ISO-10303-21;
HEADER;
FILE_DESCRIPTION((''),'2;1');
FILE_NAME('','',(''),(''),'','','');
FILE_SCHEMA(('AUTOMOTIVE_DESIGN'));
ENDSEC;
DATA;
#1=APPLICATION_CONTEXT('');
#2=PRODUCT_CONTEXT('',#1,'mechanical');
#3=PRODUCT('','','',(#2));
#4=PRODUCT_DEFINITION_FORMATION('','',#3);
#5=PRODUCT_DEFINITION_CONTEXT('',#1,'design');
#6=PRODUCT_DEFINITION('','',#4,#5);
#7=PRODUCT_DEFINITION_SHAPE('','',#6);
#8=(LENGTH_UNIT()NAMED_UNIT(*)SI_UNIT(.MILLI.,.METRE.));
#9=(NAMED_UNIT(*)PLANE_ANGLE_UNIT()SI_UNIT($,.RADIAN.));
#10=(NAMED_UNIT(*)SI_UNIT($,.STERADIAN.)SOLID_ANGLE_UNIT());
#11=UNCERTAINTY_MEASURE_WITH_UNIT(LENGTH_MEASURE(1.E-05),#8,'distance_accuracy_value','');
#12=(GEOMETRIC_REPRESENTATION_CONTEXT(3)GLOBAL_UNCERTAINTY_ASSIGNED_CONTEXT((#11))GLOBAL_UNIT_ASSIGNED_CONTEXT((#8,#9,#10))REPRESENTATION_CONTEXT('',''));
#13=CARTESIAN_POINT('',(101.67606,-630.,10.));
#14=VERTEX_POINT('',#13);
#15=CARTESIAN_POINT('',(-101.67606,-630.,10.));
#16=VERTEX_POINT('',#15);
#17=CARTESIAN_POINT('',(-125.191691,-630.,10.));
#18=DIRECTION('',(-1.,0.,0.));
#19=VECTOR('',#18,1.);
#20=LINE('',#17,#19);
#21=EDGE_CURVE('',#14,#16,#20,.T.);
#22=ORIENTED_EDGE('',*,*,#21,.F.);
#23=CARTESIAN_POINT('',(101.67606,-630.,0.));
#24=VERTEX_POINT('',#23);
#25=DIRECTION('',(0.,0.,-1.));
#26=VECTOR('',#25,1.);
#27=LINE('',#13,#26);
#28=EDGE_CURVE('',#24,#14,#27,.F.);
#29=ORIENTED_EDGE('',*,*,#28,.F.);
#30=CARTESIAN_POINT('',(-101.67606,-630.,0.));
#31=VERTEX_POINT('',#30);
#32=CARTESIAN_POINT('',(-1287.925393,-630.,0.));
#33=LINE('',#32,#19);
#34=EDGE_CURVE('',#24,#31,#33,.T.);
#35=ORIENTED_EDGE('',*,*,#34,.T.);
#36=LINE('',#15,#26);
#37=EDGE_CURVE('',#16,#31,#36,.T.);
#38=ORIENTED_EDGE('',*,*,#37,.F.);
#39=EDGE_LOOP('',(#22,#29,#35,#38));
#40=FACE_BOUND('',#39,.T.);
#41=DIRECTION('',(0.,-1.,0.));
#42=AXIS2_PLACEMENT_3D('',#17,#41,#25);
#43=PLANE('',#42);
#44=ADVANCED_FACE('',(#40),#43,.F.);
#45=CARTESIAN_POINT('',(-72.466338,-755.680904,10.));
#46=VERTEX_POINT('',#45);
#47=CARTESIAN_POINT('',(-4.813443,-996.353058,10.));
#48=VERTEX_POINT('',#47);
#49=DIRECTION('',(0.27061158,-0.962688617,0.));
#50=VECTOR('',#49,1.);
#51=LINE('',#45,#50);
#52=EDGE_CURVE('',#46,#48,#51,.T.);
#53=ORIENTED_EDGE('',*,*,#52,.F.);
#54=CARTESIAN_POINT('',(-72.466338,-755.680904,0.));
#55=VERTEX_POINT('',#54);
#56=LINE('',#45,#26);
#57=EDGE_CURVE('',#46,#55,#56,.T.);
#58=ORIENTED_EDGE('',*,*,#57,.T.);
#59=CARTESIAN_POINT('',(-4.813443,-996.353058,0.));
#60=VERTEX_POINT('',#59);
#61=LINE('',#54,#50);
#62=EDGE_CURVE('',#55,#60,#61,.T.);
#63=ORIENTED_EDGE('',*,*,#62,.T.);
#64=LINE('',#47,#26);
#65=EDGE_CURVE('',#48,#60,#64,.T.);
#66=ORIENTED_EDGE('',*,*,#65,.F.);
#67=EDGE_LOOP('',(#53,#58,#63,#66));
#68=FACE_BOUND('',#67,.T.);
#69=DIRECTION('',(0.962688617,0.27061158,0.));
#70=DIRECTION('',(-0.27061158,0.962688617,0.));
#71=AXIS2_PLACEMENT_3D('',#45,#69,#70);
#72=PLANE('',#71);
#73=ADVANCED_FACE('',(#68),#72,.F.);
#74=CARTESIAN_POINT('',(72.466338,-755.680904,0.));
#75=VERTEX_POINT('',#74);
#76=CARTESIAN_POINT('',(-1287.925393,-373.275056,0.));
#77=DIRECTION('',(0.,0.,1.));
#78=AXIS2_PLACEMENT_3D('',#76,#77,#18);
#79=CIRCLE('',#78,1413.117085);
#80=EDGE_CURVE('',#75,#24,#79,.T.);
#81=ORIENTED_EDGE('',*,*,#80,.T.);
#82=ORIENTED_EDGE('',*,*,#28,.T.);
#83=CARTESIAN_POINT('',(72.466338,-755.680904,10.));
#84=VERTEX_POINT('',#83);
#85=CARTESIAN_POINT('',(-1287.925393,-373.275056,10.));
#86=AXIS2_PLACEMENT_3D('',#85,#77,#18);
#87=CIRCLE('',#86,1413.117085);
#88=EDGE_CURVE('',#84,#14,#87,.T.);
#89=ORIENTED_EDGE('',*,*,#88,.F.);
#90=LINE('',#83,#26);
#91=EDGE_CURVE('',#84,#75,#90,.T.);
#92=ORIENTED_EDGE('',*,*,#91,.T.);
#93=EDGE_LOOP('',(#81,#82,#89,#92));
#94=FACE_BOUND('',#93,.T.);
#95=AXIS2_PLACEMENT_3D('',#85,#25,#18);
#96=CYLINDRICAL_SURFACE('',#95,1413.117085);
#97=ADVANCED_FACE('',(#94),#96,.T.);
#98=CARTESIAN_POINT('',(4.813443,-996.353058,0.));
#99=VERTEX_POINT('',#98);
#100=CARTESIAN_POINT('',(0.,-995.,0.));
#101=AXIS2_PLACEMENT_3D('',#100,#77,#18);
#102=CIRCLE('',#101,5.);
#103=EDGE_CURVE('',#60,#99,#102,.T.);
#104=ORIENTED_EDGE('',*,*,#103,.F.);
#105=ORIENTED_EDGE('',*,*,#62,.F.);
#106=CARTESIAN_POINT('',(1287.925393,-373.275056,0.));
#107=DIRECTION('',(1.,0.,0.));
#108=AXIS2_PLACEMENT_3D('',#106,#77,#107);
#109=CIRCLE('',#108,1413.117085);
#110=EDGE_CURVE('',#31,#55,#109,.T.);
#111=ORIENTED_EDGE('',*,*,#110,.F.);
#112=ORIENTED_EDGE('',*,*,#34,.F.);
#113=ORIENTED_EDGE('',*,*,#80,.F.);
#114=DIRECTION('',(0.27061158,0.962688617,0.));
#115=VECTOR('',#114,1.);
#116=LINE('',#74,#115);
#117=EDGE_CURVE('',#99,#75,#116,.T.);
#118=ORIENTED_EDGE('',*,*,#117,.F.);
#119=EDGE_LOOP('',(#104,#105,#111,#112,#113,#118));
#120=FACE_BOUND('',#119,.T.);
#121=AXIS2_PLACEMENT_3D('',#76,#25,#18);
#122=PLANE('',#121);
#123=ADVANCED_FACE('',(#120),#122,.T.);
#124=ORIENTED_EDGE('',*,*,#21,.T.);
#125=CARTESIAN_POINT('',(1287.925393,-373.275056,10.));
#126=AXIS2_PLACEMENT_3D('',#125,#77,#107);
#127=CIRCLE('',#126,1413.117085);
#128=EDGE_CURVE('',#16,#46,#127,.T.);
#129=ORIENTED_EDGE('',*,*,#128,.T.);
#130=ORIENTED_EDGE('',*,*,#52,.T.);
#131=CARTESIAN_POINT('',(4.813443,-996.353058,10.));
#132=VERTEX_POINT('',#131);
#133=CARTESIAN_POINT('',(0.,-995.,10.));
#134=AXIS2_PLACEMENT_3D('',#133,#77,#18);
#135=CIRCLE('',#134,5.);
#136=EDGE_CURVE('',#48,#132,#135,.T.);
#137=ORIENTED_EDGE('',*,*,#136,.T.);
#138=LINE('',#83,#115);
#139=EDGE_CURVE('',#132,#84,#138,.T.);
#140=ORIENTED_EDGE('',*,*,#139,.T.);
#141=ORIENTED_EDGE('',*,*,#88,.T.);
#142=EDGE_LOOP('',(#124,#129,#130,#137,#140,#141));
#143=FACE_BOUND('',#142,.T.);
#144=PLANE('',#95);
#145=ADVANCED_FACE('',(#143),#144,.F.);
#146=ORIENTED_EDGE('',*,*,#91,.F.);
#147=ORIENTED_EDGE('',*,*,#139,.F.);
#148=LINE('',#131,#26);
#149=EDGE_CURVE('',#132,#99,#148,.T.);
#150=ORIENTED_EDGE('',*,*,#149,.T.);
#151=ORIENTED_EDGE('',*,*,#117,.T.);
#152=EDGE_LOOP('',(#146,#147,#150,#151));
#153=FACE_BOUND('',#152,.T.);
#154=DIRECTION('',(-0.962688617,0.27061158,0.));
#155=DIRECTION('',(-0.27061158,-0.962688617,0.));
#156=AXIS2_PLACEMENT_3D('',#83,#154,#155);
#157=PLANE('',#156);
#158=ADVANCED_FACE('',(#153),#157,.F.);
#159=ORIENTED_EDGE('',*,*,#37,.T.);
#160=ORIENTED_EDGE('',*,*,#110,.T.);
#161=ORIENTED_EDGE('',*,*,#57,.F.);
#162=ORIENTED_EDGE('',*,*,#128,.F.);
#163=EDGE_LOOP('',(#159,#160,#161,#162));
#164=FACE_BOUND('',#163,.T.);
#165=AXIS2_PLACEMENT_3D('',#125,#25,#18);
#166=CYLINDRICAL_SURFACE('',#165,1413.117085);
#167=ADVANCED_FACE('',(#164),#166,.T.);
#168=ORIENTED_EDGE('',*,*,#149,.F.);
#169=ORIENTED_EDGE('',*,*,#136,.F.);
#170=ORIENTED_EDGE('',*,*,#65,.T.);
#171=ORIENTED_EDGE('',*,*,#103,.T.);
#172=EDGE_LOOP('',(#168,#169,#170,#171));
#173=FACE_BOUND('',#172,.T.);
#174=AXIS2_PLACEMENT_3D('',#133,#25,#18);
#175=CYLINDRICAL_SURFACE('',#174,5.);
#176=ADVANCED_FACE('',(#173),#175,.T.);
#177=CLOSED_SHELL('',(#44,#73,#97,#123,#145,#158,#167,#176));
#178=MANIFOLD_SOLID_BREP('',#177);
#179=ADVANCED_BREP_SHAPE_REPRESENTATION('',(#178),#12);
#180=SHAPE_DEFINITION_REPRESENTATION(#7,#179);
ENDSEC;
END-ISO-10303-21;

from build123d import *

# Parameters (mm, degrees)
BOSS_EXTRUDE1_DEPTH = 10
SKETCH4_W           = 250.383382942
SKETCH4_H           = 630
CUT_EXTRUDE2_DEPTH  = 1008.855624389


with BuildPart() as part:
    # Sketch2 → Boss-Extrude1 (new body)
    with BuildSketch(Plane.XY):
        with BuildLine():
            Line((-75, 0), (75, 0))
            ThreePointArc((75, 0), (125.183748831, -378.01295639), (72.466338168, -755.680903745))
            Line((72.466338168, -755.680903745), (4.813443083, -996.353057902))
            ThreePointArc((4.813443083, -996.353057902), (3.01949586, -998.985303596), (0, -1000))
            ThreePointArc((0, -1000), (-3.01949586, -998.985303596), (-4.813443083, -996.353057902))
            Line((-4.813443083, -996.353057902), (-72.466338168, -755.680903745))
            ThreePointArc((-72.466338168, -755.680903745), (-125.183748831, -378.01295639), (-75, 0))
        make_face()
    extrude(amount=BOSS_EXTRUDE1_DEPTH)

    # Sketch4 → Cut-Extrude2 (cut, through all)
    with BuildSketch(Plane(origin=(0, 0, 0), x_dir=(-1, 0, 0), z_dir=(0, 0, -1))):
        with Locations((0, -315)):
            Rectangle(SKETCH4_W, SKETCH4_H)
    extrude(amount=-CUT_EXTRUDE2_DEPTH, mode=Mode.SUBTRACT)


solid = part.part
